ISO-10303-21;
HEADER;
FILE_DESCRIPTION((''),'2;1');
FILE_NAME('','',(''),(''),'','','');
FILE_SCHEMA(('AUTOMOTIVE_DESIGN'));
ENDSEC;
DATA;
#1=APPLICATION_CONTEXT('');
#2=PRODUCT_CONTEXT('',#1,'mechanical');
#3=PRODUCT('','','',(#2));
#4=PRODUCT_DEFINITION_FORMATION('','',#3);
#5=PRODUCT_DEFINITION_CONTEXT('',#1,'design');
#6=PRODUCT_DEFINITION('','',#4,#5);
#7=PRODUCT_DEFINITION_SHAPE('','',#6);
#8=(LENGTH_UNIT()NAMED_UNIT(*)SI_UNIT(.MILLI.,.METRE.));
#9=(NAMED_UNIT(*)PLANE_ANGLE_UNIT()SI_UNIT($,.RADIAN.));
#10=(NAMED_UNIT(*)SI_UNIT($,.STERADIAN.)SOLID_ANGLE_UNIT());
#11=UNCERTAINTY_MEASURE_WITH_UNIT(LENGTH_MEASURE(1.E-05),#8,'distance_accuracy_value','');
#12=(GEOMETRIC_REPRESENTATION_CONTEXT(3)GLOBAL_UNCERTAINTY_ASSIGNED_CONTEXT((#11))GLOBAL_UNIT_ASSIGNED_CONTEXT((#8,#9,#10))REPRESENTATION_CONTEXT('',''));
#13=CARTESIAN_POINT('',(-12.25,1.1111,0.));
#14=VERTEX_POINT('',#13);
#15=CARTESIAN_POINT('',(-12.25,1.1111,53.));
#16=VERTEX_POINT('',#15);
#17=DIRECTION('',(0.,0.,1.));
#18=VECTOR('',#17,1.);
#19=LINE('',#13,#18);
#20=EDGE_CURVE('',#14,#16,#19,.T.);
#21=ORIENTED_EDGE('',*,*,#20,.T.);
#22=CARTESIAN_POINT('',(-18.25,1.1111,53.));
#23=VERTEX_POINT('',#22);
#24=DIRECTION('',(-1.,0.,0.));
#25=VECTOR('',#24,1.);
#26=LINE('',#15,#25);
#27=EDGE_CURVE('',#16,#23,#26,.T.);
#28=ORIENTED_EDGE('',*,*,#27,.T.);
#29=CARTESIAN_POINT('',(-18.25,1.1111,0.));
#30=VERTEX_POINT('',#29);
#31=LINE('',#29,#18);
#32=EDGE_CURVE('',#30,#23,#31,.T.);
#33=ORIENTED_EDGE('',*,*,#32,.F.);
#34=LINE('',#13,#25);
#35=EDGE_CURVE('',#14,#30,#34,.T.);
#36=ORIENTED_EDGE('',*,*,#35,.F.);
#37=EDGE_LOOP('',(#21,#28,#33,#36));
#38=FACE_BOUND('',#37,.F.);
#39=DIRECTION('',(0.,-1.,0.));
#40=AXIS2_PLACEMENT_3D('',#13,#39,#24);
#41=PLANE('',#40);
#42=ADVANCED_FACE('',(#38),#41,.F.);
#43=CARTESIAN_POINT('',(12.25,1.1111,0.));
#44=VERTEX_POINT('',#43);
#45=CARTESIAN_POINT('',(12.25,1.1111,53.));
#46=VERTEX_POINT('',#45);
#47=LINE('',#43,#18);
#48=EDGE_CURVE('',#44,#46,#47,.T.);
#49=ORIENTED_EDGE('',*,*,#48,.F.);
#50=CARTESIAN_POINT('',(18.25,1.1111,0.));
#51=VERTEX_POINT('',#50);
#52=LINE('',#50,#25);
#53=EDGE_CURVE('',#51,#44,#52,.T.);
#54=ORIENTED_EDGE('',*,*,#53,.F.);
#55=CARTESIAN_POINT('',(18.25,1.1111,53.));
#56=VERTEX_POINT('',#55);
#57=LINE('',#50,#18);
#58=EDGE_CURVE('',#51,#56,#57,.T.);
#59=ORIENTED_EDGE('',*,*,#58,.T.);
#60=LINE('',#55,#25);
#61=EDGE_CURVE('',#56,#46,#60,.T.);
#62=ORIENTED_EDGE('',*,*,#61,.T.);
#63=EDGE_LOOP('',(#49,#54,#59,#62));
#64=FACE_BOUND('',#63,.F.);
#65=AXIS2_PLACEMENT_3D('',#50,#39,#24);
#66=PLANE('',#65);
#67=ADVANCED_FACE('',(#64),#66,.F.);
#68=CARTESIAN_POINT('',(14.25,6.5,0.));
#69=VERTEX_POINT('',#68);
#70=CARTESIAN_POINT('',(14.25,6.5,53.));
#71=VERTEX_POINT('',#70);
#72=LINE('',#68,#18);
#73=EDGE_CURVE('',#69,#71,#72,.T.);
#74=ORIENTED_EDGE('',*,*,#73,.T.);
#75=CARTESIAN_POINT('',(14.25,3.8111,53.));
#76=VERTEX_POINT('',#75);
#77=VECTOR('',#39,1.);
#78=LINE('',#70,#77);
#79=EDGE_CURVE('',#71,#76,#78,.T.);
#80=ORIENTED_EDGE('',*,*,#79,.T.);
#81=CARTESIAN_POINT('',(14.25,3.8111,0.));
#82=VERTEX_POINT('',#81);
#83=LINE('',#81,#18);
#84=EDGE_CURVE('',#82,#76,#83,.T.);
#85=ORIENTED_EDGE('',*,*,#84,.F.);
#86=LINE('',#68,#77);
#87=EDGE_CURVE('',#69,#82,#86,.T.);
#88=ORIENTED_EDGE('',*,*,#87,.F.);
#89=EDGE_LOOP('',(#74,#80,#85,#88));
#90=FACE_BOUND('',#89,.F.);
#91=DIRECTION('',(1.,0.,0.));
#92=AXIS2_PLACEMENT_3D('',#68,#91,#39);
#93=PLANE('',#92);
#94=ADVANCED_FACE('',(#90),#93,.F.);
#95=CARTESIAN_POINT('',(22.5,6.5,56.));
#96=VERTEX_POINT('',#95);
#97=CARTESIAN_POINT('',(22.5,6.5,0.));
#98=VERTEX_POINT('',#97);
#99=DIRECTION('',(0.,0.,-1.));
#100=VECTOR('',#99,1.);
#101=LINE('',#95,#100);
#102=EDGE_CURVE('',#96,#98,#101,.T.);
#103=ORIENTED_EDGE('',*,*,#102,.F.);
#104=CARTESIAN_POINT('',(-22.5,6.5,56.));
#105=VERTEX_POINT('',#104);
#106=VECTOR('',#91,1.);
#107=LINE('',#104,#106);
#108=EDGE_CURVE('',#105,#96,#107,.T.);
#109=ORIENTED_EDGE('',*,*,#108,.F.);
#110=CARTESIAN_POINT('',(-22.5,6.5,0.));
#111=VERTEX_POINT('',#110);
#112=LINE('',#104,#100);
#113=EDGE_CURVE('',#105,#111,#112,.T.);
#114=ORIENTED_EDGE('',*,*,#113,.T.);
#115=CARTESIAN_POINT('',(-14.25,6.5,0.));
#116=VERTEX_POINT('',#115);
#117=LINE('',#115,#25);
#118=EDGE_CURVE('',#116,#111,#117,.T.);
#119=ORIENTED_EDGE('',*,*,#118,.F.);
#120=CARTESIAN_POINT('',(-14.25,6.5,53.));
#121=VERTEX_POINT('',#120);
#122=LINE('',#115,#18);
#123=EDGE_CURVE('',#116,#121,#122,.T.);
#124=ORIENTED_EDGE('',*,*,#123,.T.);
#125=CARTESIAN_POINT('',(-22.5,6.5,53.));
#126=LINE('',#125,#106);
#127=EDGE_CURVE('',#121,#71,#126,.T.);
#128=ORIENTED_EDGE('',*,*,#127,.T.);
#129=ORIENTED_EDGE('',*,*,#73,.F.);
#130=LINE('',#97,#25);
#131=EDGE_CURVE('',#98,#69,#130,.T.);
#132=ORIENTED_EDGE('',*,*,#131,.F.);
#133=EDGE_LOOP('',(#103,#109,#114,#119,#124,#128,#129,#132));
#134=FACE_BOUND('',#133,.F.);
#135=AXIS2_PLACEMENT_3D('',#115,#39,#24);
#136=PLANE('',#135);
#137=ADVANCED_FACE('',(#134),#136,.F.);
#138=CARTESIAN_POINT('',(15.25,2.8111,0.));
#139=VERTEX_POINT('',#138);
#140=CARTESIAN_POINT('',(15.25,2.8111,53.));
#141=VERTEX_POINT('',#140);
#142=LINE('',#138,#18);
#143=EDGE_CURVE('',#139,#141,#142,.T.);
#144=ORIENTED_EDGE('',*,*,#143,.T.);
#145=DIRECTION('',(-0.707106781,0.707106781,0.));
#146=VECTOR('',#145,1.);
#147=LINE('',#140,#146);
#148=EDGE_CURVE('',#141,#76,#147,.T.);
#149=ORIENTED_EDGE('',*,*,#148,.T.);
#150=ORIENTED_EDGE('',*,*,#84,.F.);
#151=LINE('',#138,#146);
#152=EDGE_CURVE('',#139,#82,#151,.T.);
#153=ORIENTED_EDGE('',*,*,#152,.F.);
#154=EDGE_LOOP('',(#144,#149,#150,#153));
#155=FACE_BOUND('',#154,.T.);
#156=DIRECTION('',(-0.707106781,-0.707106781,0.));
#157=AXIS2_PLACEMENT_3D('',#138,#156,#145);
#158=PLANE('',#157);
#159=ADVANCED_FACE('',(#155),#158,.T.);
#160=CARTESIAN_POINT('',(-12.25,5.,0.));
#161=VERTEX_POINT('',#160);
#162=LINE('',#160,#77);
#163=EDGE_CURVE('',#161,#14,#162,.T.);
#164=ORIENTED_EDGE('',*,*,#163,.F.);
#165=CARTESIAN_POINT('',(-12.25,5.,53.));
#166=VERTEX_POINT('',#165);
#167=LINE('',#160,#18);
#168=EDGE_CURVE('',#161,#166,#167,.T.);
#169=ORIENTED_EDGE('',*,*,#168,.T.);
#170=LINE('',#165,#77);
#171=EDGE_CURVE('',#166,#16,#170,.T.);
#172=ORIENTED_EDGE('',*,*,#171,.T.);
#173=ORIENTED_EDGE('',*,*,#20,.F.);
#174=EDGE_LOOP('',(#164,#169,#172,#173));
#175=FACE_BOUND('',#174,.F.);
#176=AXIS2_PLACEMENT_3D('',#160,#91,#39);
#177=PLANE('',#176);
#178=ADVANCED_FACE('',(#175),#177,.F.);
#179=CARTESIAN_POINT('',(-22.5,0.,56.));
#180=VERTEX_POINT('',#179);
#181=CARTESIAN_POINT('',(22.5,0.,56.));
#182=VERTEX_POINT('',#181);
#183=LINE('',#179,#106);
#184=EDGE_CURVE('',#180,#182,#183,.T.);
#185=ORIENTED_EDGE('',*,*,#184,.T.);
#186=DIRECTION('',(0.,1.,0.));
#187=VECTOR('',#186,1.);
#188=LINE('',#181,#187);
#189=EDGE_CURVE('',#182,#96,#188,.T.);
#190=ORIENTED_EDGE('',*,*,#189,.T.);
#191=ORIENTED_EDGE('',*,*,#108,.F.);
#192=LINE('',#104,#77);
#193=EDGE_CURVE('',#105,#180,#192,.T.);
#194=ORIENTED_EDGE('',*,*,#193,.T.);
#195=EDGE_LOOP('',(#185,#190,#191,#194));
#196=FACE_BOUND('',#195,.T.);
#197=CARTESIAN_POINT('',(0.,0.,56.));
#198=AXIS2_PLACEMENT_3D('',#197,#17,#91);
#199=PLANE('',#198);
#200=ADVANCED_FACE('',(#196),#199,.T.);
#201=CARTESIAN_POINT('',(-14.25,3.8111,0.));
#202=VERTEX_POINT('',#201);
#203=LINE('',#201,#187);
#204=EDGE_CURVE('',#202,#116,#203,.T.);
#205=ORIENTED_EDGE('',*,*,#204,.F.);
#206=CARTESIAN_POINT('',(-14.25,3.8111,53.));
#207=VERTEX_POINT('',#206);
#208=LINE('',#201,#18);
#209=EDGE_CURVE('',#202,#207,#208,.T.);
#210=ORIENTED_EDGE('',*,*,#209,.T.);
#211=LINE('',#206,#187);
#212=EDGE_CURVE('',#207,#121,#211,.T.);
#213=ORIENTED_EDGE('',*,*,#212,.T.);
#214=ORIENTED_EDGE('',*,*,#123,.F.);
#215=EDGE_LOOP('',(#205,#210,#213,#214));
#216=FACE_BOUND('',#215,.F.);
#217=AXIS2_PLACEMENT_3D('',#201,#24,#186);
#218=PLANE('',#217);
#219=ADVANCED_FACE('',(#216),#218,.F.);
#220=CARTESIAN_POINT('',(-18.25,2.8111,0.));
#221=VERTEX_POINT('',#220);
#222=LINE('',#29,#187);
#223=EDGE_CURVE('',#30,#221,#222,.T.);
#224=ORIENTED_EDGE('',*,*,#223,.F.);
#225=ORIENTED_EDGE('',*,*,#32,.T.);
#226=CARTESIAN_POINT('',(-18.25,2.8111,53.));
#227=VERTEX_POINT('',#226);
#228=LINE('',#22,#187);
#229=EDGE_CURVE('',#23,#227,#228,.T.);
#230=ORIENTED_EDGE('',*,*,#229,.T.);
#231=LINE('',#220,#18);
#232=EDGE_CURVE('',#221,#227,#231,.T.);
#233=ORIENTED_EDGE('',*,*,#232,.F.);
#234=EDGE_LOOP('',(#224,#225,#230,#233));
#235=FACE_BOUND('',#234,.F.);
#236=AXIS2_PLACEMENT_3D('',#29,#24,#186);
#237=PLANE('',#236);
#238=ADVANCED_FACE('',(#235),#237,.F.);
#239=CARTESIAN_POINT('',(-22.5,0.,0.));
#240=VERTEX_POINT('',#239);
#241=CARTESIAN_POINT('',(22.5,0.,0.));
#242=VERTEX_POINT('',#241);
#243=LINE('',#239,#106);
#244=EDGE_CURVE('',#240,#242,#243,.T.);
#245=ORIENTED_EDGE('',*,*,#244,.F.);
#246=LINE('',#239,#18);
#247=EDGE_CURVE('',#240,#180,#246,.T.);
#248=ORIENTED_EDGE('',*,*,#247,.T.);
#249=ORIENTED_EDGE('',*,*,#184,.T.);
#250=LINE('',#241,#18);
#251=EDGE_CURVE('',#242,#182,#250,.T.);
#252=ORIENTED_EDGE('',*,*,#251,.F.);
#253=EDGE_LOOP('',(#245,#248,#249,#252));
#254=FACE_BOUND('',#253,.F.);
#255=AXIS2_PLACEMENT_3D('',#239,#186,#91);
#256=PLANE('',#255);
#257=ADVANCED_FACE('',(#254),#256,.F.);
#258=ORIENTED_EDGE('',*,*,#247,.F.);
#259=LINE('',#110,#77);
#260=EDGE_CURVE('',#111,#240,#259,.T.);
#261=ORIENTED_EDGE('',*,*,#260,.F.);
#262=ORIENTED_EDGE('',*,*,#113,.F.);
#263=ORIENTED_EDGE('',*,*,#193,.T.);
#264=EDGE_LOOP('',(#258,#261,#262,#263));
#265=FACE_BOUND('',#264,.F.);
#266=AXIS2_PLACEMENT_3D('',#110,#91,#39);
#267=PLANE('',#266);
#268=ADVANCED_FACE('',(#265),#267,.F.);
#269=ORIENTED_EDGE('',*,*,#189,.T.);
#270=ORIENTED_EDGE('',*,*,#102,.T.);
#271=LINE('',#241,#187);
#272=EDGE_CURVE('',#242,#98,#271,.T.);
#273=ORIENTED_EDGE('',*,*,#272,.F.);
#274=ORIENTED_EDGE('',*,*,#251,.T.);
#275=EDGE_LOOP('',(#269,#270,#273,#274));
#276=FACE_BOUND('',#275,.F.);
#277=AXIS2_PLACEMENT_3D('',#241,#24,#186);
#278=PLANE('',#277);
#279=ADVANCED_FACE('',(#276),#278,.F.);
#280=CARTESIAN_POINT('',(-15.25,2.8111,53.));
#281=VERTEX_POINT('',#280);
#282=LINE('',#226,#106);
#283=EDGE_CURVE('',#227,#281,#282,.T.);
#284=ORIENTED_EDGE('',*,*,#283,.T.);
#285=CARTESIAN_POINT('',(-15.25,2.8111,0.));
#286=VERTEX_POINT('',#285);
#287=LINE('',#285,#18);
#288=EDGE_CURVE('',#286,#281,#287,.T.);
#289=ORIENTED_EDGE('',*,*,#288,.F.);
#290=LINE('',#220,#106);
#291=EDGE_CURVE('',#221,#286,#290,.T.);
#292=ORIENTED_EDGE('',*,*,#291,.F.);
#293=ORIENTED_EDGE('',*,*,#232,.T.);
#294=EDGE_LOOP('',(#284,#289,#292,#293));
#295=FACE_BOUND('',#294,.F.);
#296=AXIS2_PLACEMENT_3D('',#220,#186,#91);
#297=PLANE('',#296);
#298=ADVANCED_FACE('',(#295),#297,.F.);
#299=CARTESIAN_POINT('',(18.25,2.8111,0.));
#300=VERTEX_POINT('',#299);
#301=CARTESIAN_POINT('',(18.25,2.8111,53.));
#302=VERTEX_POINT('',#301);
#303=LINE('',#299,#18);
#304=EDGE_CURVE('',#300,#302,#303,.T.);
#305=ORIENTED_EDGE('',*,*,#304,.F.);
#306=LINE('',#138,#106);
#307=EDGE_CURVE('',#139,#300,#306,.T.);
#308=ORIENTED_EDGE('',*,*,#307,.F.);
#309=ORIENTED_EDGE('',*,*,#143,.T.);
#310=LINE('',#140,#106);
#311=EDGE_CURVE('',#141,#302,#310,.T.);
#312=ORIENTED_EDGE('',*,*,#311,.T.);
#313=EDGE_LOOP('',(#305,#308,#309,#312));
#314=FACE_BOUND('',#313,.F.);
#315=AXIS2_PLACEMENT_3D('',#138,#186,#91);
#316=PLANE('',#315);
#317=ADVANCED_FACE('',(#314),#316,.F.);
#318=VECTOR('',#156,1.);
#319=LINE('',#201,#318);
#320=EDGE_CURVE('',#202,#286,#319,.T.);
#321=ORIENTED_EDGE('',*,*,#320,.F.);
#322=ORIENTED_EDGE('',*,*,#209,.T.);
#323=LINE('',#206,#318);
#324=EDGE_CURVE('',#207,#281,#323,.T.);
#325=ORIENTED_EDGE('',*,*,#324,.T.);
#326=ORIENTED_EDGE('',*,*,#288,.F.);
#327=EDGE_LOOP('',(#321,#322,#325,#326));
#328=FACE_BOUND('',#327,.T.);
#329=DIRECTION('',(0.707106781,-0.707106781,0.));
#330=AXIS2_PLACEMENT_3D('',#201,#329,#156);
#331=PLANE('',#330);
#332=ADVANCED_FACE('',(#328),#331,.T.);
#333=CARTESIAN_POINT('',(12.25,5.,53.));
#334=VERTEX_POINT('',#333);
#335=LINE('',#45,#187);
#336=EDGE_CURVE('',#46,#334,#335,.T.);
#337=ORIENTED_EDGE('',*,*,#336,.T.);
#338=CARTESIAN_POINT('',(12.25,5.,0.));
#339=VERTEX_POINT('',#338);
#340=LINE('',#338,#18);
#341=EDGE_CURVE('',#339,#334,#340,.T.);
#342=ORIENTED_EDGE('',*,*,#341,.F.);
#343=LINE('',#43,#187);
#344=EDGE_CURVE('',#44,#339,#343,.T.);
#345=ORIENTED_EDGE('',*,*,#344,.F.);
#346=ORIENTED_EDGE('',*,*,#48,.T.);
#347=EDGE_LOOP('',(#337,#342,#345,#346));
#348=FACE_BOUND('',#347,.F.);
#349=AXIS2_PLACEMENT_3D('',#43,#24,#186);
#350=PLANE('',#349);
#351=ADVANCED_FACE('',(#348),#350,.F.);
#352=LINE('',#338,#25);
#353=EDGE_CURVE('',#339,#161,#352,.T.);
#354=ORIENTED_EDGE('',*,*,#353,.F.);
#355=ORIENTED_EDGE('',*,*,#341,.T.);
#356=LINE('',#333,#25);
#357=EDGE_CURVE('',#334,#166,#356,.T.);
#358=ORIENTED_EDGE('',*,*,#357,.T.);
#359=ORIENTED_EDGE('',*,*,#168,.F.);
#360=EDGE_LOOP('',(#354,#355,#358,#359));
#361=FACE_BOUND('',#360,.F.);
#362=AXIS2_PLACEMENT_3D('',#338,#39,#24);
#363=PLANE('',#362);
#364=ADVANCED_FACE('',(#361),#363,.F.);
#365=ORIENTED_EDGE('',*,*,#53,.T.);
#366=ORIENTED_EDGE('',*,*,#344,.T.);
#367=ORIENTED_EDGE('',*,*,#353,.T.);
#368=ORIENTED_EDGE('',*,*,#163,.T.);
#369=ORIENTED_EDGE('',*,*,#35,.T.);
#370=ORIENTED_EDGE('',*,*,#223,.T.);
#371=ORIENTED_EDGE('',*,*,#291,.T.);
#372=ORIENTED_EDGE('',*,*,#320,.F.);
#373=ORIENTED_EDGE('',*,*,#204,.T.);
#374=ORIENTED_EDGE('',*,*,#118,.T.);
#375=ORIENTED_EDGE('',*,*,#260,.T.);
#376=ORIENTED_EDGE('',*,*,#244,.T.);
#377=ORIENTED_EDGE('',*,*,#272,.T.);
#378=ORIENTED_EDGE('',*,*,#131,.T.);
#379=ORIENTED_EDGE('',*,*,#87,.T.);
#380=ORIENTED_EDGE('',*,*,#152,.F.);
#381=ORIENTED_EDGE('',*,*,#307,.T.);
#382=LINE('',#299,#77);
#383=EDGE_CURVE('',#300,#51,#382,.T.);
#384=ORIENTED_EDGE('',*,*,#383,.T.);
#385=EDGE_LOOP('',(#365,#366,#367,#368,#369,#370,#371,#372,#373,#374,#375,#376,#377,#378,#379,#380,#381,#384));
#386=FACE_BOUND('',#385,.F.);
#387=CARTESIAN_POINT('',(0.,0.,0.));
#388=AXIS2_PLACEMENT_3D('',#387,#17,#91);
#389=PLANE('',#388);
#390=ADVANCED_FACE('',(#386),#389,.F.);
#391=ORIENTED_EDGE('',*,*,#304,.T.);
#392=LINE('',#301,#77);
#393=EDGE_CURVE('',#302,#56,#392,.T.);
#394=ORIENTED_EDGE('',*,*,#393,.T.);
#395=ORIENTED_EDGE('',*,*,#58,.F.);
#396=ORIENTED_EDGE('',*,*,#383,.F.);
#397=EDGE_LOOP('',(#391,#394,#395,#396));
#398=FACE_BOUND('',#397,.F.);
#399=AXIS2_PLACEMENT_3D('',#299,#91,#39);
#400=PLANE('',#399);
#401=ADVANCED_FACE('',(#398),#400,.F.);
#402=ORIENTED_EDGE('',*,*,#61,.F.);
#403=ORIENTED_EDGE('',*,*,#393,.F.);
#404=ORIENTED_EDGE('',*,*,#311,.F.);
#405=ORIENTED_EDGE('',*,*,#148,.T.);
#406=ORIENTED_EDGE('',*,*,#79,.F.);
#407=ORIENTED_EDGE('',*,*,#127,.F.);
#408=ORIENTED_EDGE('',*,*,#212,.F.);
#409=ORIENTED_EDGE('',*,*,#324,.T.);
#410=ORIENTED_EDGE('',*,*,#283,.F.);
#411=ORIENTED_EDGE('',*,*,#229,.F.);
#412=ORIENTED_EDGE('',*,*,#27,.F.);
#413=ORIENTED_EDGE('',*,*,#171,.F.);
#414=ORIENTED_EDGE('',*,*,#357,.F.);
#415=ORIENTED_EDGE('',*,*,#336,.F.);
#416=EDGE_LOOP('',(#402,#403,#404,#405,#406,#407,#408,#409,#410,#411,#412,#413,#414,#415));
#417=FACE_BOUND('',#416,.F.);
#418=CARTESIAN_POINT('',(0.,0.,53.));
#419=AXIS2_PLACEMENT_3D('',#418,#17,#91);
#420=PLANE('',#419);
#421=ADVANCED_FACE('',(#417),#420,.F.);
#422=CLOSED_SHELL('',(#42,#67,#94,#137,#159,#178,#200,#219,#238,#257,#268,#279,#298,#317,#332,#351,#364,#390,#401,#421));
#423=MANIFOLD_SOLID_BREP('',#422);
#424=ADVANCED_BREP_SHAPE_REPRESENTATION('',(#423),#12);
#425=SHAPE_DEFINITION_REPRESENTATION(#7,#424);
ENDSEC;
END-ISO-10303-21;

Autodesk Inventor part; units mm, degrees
ref_plane "YZ Plane" through (0, 0, 0) normal (1, 0, 0) x (0, 1, 0)
ref_plane "XZ Plane" through (0, 0, 0) normal (0, 1, 0) x (-1, 0, 0)
ref_plane "XY Plane" through (0, 0, 0) normal (0, 0, 1) x (1, 0, 0)
sketch "Sketch1" plane through (0, 0, 0) normal (0, 0, 1) x (1, 0, 0)
  line L0 (-22.5, 0) -> (22.5, 0)
  line L1 (22.5, 0) -> (22.5, 6.5)
  line L2 (22.5, 6.5) -> (14.25, 6.5)
  line L3 (14.25, 6.5) -> (14.25, 3.8111)
  line L4 (15.25, 2.8111) -> (18.25, 2.8111)
  line L5 (18.25, 2.8111) -> (18.25, 1.1111)
  line L6 (18.25, 1.1111) -> (12.25, 1.1111)
  line L7 (12.25, 1.1111) -> (12.25, 5)
  line L8 (12.25, 5) -> (-12.25, 5)
  line L9 (-12.25, 5) -> (-12.25, 1.1111)
  line L10 (-12.25, 1.1111) -> (-18.25, 1.1111)
  line L11 (-18.25, 1.1111) -> (-18.25, 2.8111)
  line L12 (-18.25, 2.8111) -> (-15.25, 2.8111)
  line L13 (-14.25, 3.8111) -> (-14.25, 6.5)
  line L14 (-14.25, 6.5) -> (-22.5, 6.5)
  line L15 (-22.5, 6.5) -> (-22.5, 0)
  line L16 (15.25, 2.8111) -> (14.25, 3.8111)
  line L17 (-14.25, 3.8111) -> (-15.25, 2.8111)
  point P0 (0, 0)
  point P1 (14.25, 2.8111)
  point P2 (-14.25, 2.8111)
  dimension "d0" = 45
  dimension "d1" = 6.5
  dimension "d2" = 22.5
  dimension "d3" = 36.5
  dimension "d4" = 4.25
  dimension "d5" = 6
  dimension "d6" = 4
  dimension "d7" = 4
  dimension "d8" = 6
  dimension "d9" = 5
  dimension "d14" = 1.1111
  dimension "d15" = 1.7
  dimension "d16" = 1
  dimension "d17" = 1
  dimension "d18" = 1
  dimension "d19" = 1
extrude "Extrusion1" add sketch "Sketch1" along normal blind 53
sketch "Sketch2" plane through (0, 0, 53) normal (0, 0, 1) x (1, 0, 0)
  line L0 (-22.5, 0) -> (22.5, 0) projected
  line L1 (-22.5, 6.5) -> (-22.5, 0) projected
  line L2 (22.5, 0) -> (22.5, 6.5) projected
  line L3 (-22.5, 6.5) -> (22.5, 6.5)
  point P0 (0, 0)
extrude "Extrusion2" add sketch "Sketch2" along normal blind 3
equation "\"d17\" = d16"
equation "\"d19\" = d18"
properties part number "placa_metal"
